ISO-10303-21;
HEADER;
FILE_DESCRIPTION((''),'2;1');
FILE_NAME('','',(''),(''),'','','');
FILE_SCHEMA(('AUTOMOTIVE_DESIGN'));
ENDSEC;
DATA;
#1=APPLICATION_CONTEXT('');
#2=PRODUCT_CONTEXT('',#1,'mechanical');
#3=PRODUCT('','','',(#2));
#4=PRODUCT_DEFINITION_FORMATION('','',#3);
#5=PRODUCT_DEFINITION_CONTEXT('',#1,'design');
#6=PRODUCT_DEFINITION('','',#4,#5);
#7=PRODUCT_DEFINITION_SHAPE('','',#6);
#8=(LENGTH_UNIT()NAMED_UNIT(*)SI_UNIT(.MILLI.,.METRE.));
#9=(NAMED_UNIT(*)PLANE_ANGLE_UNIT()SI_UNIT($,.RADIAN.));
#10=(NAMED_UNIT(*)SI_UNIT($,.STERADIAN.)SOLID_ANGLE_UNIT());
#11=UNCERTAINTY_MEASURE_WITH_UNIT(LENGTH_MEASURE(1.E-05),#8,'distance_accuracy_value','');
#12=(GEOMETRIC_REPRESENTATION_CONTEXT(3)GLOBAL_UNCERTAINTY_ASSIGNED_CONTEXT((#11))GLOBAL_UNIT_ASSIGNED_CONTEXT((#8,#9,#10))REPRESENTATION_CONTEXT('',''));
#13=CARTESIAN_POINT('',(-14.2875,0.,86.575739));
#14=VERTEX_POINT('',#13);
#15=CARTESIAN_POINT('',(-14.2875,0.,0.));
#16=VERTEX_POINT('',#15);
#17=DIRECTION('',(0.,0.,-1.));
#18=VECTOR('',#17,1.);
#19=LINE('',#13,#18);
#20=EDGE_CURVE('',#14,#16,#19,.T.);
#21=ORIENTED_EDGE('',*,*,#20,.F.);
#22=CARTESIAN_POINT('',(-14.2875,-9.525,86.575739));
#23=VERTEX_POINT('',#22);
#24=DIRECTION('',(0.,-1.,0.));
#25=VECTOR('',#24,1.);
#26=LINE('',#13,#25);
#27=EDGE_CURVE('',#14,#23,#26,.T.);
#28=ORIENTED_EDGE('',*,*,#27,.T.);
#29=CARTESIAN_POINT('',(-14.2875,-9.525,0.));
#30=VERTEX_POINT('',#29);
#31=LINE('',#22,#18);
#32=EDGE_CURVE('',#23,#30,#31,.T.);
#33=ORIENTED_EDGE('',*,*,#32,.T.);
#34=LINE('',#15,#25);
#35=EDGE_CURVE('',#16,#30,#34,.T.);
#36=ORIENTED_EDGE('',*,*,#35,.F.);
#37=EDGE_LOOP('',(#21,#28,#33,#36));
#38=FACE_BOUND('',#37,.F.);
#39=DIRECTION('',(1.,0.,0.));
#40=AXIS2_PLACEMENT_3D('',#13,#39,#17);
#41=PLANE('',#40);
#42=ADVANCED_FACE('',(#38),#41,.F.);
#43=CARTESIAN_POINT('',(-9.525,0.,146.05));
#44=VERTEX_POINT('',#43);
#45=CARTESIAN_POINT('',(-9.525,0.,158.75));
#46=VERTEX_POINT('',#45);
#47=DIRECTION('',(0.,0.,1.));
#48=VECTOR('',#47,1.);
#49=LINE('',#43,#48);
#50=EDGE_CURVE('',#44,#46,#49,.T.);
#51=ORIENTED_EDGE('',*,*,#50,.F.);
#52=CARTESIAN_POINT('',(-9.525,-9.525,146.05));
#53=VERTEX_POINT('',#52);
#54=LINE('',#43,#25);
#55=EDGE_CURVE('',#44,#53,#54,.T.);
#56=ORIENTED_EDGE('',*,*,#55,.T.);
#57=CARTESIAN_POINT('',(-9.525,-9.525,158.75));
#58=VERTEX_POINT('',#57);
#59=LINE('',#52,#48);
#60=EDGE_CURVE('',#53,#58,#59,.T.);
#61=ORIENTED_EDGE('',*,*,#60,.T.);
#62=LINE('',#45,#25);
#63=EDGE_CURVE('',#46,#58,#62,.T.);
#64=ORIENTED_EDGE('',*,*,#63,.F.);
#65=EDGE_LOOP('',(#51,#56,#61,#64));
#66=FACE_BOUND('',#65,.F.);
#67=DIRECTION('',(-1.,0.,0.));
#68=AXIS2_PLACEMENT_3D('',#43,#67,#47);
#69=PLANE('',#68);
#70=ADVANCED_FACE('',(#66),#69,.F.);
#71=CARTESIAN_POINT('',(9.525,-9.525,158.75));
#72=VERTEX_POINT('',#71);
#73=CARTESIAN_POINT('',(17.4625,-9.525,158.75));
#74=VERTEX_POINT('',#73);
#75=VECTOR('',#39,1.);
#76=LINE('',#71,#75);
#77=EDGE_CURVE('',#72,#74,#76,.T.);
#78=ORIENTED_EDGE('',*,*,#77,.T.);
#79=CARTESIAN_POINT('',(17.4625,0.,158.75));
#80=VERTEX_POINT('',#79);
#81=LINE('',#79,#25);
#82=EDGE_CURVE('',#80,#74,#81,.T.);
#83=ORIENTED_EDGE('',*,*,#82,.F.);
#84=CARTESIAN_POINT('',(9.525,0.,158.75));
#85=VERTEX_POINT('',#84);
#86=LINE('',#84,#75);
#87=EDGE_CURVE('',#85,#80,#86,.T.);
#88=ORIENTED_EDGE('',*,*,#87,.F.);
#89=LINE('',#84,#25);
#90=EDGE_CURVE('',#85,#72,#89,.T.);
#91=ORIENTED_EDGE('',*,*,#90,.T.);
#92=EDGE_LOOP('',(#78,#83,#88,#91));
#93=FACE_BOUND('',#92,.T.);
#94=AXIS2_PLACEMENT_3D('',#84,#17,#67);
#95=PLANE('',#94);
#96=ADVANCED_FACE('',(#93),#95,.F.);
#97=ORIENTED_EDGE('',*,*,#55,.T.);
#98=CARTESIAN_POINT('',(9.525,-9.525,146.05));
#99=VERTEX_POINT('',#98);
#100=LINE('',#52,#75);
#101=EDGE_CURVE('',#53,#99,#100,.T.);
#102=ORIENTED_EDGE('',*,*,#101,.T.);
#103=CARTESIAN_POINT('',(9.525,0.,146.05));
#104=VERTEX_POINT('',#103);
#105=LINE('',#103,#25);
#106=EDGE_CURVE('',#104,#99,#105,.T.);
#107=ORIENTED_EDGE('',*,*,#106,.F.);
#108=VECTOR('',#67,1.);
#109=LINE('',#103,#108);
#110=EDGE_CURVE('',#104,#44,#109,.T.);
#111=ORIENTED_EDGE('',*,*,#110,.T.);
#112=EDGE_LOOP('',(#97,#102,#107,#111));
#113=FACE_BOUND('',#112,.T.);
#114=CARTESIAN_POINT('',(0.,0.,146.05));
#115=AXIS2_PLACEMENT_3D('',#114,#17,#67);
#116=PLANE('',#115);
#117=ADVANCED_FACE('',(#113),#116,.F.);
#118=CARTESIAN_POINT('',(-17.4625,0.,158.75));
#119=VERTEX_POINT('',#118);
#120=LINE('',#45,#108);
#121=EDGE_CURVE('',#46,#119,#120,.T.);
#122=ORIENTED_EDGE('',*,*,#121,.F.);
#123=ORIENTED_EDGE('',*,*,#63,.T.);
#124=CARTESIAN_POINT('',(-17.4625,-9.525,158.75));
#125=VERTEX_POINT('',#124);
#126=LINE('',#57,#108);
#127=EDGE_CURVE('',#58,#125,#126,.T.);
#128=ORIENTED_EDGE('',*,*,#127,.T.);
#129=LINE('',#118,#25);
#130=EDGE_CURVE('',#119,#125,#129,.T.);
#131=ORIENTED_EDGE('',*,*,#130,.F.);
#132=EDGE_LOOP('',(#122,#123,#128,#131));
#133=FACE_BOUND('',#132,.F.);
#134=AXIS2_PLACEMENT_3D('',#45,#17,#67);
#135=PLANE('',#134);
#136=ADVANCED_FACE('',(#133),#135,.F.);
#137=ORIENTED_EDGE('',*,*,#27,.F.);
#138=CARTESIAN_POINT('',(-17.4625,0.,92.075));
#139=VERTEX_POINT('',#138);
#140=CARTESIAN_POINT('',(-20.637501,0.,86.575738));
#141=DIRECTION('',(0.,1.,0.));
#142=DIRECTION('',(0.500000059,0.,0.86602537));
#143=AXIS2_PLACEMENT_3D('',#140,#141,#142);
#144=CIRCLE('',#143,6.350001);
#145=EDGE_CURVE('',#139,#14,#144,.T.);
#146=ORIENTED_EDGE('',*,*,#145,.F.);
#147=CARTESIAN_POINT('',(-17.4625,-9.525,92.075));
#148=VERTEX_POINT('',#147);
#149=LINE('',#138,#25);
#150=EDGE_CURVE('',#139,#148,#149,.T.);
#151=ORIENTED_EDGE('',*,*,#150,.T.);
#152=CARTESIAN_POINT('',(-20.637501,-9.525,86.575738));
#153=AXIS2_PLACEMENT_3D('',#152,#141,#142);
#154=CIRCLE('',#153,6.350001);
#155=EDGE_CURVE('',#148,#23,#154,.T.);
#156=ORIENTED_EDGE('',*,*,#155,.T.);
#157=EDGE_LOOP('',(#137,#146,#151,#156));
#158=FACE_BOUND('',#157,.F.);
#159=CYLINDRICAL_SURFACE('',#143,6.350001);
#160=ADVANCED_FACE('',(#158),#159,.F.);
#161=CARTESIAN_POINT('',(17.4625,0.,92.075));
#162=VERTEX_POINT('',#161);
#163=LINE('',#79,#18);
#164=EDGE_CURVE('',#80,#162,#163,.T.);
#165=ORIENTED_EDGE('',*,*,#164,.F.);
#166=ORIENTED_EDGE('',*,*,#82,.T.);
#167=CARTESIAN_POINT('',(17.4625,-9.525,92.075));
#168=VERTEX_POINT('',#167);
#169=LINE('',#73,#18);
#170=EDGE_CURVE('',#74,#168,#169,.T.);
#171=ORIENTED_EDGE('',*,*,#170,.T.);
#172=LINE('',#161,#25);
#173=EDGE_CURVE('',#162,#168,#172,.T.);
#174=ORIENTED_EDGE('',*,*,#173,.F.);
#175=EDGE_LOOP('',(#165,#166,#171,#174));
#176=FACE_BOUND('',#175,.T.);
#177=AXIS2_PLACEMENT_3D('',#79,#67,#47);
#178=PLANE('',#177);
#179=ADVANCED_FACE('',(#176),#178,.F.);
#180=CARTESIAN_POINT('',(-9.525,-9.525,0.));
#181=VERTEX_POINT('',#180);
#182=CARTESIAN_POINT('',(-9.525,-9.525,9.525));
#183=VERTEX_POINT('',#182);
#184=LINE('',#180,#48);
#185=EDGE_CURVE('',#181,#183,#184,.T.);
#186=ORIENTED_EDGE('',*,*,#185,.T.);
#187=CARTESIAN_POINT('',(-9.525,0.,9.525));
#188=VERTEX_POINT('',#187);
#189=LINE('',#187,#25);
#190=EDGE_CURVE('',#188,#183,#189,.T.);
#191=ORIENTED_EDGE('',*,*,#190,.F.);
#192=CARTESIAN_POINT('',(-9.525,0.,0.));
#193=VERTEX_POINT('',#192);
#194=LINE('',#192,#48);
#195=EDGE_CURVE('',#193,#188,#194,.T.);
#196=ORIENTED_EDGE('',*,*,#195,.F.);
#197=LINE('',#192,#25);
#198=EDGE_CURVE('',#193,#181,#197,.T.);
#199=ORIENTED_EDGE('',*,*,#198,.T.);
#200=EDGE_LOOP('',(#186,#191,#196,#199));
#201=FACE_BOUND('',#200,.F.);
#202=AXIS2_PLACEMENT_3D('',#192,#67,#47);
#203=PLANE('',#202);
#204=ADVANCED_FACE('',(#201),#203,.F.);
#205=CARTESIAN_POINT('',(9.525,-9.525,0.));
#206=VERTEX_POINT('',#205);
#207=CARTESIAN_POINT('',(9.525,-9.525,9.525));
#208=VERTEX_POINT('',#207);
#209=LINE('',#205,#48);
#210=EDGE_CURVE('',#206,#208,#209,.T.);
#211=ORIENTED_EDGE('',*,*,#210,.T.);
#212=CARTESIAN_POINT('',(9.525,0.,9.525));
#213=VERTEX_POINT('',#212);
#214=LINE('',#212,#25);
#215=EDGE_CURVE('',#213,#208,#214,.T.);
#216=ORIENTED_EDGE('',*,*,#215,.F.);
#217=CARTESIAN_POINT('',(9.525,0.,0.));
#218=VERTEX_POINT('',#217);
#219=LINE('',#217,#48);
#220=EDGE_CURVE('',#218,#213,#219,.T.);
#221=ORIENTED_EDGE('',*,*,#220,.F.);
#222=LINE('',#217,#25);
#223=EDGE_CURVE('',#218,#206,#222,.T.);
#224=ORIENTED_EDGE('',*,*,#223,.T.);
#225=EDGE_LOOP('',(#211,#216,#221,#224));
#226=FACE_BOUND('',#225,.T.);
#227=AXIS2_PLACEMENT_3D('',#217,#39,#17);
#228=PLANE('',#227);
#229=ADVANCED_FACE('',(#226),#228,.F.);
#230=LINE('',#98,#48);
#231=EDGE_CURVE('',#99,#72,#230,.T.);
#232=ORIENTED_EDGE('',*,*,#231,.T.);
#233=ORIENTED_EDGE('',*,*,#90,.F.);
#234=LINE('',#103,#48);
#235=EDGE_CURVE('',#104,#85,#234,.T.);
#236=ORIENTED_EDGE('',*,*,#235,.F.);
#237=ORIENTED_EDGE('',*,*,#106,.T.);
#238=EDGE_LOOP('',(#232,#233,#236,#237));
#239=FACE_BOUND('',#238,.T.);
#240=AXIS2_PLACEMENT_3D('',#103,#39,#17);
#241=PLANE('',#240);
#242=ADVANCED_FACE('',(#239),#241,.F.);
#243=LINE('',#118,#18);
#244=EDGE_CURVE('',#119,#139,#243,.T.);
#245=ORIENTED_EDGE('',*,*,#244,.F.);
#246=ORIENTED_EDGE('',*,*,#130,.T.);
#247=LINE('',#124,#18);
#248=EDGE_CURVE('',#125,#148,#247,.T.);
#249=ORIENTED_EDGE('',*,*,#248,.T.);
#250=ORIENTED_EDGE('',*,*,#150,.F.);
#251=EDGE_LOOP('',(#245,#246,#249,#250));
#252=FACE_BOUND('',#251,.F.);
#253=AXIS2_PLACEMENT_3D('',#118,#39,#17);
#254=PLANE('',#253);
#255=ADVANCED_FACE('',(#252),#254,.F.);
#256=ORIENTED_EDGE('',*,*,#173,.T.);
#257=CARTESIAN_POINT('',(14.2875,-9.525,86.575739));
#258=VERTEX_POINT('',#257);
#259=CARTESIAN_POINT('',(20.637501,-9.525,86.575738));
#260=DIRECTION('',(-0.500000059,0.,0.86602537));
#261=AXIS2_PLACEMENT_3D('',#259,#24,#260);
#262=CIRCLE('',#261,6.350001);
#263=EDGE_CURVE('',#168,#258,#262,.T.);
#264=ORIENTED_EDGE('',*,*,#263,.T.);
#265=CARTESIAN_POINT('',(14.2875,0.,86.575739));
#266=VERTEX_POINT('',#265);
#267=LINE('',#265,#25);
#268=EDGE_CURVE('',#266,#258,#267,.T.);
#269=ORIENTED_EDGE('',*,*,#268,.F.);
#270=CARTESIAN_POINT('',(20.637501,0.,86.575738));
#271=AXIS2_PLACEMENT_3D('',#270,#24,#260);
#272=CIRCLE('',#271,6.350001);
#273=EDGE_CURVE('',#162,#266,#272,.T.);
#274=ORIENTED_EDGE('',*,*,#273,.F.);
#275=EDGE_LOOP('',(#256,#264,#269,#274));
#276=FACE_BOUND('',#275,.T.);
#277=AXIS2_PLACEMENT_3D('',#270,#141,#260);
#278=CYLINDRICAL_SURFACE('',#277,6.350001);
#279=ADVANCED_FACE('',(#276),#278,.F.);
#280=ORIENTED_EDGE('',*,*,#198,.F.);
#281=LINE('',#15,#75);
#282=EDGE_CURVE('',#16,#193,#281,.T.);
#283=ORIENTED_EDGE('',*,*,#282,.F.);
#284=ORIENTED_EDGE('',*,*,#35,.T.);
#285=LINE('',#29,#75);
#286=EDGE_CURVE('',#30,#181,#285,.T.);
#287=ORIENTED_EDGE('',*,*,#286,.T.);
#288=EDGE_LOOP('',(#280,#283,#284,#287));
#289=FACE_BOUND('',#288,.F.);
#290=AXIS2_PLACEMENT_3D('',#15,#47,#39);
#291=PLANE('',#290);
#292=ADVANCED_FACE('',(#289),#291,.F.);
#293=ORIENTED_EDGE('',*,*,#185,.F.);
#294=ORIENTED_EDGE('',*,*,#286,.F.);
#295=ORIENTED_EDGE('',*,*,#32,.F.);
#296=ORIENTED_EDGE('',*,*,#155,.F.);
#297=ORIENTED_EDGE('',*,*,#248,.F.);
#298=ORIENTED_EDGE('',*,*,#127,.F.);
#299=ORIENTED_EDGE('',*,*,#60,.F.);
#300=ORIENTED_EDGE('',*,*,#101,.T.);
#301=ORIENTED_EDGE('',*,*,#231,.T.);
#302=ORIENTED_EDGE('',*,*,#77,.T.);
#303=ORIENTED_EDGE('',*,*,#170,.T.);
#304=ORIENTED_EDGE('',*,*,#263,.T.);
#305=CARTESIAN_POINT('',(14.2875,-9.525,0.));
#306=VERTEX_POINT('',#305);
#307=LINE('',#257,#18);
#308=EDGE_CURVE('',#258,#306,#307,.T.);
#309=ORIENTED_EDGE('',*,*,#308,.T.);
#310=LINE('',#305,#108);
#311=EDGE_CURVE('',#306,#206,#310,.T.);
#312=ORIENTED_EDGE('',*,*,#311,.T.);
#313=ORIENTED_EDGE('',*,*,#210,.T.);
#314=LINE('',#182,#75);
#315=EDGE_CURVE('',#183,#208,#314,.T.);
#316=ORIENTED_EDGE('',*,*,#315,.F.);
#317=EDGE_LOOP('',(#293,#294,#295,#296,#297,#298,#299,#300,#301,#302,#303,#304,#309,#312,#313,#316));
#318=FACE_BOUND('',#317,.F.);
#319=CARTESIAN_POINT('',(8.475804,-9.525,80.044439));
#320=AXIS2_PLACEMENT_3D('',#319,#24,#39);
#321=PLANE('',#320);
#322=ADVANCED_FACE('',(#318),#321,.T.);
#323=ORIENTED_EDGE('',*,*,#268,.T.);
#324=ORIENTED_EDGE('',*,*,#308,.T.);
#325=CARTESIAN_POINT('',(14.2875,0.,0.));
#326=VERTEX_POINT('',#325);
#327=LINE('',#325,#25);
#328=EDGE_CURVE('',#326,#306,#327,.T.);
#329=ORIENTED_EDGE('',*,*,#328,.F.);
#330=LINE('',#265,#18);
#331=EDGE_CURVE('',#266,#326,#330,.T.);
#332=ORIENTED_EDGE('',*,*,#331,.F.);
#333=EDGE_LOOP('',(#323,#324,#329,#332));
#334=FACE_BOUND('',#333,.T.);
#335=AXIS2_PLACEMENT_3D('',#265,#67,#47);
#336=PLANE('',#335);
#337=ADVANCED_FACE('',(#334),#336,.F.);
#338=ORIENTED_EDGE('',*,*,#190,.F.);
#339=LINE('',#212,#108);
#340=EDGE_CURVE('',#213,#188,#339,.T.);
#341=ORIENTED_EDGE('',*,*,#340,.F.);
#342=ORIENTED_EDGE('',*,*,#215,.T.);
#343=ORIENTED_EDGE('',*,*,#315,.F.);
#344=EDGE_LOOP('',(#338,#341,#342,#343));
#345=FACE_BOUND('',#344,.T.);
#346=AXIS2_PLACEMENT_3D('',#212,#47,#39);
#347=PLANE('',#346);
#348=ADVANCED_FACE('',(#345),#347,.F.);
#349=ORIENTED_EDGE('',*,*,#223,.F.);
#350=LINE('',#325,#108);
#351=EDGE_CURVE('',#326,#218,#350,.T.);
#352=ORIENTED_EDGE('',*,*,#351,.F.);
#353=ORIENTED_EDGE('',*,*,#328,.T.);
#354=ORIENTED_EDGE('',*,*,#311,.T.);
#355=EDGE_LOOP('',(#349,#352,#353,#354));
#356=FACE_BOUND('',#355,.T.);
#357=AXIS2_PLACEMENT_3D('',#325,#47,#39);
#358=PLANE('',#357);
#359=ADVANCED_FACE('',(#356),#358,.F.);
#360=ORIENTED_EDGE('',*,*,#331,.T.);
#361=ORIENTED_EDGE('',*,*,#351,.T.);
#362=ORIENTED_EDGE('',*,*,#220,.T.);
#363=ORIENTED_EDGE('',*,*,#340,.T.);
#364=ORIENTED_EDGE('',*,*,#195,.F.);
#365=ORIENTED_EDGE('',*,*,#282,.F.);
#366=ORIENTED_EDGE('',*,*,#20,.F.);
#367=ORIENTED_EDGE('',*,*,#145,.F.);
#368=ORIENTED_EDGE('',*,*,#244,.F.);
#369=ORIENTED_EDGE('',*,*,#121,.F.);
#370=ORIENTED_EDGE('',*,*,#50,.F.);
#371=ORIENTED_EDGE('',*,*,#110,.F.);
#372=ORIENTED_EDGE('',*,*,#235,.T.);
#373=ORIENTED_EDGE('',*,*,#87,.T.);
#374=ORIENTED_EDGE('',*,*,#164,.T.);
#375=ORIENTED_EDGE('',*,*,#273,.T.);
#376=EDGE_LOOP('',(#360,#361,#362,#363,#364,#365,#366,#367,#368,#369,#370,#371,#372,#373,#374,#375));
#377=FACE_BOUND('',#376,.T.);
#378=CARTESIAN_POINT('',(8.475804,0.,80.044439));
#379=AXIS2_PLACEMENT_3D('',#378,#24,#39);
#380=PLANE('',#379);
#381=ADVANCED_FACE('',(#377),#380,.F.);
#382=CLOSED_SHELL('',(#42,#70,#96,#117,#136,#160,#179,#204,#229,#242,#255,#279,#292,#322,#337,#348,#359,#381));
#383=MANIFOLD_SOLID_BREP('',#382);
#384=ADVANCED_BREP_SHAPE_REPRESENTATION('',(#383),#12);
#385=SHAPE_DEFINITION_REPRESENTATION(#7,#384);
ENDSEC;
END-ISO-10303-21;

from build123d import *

# Parameters (mm, degrees)
F1_DEPTH = 9.525


with BuildPart() as f1:
    # F0 (on Front) → F1 (new body)
    with BuildSketch(Plane.XZ):
        with BuildLine():
            Line((-9.525, 146.05), (-9.525, 158.75))
            Line((-9.525, 158.75), (-17.4625, 158.75))
            Line((-17.4625, 158.75), (-17.4625, 92.075))
            ThreePointArc((-17.4625, 92.075), (-15.138239, 89.750739), (-14.2875, 86.575739))
            Line((-14.2875, 86.575739), (-14.2875, 0))
            Line((-14.2875, 0), (-9.525, 0))
            Line((-9.525, 0), (-9.525, 9.525))
            Line((-9.525, 9.525), (0, 9.525))
            Line((0, 9.525), (0, 146.05))
            Line((0, 146.05), (-9.525, 146.05))
        make_face()
    extrude(amount=F1_DEPTH)

    # F2: F1 across plane


with BuildPart() as f1_1:
    add(f1.part)
    add(f1.part.mirror(Plane.YZ))


solid = f1_1.part
